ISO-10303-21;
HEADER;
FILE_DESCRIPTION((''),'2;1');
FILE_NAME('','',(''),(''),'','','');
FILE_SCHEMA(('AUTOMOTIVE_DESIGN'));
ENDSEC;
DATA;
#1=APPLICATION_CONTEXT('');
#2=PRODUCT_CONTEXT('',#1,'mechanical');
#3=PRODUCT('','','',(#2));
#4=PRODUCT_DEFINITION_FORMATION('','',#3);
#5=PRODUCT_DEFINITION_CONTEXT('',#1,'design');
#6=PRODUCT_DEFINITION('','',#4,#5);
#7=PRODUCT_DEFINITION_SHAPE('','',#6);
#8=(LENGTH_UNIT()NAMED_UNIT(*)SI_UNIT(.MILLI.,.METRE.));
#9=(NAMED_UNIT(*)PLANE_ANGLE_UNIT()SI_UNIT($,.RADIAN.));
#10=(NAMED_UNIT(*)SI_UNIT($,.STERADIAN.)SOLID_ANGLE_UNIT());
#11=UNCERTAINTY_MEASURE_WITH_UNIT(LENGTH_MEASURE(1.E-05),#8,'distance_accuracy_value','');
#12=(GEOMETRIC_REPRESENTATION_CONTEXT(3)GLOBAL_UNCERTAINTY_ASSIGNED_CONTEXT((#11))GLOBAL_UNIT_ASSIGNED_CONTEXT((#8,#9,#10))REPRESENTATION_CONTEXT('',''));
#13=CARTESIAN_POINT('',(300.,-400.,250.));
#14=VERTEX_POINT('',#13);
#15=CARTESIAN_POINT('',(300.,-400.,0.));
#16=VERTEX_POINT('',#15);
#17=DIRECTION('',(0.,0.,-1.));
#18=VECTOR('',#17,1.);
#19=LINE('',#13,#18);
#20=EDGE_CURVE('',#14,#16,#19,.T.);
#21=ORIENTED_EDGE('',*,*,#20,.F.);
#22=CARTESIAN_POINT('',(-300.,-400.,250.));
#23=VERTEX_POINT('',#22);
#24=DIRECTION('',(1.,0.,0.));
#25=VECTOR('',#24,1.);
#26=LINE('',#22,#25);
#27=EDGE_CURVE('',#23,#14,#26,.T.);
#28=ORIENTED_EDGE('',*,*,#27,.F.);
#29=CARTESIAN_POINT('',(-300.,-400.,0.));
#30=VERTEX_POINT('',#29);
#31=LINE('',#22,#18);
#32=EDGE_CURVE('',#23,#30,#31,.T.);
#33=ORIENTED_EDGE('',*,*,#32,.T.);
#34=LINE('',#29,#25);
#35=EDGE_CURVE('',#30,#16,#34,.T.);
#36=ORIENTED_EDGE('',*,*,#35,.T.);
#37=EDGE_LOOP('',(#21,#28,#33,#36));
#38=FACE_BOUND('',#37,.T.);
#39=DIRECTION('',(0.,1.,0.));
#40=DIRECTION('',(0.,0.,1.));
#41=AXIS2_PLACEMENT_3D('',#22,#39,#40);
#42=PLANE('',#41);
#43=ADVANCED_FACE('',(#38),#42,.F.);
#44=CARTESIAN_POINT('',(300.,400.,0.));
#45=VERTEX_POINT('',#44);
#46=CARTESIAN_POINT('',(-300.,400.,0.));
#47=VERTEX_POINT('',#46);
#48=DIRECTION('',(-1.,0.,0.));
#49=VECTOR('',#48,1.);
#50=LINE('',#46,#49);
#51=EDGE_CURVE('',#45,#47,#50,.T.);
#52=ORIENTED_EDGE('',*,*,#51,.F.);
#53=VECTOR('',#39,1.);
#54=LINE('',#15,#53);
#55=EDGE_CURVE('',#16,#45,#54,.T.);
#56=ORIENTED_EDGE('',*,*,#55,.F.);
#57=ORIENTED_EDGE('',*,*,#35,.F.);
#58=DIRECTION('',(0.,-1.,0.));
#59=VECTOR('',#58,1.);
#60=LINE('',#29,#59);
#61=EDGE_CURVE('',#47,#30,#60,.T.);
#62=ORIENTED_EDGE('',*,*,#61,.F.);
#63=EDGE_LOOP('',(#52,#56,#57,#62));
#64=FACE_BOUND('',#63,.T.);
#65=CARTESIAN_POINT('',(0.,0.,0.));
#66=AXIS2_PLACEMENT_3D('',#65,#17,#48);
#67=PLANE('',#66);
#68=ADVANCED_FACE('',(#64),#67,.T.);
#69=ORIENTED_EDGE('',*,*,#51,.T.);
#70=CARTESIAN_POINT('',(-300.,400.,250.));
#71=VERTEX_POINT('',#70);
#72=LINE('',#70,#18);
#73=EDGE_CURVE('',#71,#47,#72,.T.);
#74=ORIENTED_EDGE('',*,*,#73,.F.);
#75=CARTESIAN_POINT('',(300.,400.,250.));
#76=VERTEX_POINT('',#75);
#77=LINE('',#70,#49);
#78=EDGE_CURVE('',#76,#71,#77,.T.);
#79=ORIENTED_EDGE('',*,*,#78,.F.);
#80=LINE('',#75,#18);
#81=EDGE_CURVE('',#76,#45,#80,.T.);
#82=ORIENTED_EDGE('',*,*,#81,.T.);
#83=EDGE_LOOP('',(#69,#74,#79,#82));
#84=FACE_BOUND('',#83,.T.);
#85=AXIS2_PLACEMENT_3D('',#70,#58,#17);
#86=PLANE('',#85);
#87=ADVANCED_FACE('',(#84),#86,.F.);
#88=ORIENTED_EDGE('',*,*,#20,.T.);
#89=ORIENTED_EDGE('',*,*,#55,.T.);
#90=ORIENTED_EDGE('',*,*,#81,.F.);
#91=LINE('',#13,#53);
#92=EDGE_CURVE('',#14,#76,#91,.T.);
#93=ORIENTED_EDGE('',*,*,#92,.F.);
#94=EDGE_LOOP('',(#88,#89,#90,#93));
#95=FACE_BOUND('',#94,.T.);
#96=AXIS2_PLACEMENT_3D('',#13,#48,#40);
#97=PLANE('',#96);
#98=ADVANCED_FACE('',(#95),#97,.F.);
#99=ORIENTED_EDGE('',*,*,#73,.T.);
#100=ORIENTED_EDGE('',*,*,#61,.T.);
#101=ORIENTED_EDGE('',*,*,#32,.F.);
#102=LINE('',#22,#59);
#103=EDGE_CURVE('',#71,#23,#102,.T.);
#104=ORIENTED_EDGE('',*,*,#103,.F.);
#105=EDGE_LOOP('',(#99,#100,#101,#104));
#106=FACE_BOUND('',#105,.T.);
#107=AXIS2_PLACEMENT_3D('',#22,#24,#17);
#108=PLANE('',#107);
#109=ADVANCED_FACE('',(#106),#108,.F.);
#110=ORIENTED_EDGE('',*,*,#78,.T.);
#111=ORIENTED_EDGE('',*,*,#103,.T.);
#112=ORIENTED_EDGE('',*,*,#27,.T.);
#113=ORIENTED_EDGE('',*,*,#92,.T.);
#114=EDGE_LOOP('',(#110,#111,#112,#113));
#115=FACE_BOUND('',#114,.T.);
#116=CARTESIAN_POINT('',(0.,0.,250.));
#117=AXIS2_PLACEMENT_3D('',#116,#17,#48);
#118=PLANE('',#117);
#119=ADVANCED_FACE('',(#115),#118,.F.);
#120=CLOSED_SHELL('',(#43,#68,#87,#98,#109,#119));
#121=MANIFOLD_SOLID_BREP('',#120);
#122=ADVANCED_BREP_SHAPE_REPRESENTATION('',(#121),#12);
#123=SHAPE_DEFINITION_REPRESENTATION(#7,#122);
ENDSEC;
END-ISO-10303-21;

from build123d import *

# Parameters (mm, degrees)
CROQUIS1_W              = 600
CROQUIS1_H              = 800
SALIENTE_EXTRUIR1_DEPTH = 250


with BuildPart() as part:
    # Croquis1 → Saliente-Extruir1 (new body)
    with BuildSketch(Plane.XY):
        Rectangle(CROQUIS1_W, CROQUIS1_H)
    extrude(amount=SALIENTE_EXTRUIR1_DEPTH)


solid = part.part
